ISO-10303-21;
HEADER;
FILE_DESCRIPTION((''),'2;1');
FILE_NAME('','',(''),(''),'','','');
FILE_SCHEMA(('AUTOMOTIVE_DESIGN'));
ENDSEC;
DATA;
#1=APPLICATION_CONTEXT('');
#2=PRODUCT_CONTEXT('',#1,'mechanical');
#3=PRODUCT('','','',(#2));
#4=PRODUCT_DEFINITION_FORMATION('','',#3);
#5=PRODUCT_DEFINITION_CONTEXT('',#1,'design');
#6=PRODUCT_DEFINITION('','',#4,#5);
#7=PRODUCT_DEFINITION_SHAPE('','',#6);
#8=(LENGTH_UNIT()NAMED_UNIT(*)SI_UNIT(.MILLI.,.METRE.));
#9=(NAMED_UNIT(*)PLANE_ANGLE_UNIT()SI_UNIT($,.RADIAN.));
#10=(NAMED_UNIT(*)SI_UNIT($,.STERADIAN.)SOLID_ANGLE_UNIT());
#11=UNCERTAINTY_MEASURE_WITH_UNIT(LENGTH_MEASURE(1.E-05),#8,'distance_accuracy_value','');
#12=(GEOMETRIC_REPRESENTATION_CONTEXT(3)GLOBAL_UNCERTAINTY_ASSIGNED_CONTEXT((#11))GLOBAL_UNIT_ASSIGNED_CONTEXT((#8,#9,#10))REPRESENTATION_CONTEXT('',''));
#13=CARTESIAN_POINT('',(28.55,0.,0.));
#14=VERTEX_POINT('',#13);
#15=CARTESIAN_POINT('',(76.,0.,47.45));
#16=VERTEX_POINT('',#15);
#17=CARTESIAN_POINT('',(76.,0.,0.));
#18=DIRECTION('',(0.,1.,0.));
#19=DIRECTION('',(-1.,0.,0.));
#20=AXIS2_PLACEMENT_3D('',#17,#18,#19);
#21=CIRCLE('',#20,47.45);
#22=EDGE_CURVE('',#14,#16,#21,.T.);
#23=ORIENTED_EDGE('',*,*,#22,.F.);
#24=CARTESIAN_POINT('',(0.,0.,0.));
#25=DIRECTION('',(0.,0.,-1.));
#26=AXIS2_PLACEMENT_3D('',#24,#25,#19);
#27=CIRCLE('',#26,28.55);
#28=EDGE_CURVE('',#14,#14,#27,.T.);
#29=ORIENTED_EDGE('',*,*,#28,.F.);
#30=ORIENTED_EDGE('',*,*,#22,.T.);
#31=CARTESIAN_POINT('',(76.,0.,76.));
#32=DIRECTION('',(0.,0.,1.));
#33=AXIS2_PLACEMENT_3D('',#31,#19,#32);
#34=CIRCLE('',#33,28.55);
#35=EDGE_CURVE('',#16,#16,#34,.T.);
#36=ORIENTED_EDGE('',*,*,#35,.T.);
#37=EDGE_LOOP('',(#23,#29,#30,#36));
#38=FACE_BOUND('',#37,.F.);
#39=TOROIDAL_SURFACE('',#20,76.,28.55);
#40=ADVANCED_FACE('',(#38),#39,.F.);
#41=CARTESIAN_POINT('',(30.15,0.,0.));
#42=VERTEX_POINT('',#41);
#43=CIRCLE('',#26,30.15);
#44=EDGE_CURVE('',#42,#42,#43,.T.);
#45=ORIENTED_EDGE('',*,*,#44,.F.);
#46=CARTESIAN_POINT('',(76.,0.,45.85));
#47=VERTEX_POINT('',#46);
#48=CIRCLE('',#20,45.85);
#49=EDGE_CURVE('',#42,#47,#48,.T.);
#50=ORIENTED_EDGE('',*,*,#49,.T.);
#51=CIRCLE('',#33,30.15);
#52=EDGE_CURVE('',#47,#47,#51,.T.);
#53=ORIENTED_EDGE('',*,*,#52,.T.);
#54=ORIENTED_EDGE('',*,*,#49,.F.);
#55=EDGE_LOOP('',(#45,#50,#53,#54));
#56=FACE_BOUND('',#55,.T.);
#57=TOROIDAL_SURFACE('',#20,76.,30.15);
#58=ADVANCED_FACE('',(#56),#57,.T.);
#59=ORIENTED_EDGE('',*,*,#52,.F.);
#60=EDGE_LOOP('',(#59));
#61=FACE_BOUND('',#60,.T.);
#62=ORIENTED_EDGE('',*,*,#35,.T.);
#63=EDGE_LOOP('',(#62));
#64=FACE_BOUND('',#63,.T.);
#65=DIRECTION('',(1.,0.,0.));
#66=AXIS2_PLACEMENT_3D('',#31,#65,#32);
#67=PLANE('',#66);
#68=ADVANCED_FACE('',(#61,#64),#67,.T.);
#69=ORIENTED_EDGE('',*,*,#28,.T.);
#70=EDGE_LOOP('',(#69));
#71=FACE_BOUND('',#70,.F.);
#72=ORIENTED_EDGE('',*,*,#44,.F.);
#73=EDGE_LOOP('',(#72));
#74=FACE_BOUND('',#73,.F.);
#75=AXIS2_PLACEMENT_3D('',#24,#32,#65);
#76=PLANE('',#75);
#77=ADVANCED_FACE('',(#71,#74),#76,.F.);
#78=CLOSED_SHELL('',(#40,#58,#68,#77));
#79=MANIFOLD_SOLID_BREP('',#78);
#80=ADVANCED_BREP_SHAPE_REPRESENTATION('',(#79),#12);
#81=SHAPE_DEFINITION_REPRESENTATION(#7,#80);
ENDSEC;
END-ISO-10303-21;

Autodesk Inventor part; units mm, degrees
ref_plane "YZ Plane" through (0, 0, 0) normal (1, 0, 0) x (0, 1, 0)
ref_plane "XZ Plane" through (0, 0, 0) normal (0, 1, 0) x (-1, 0, 0)
ref_plane "XY Plane" through (0, 0, 0) normal (0, 0, 1) x (1, 0, 0)
sketch "Sketch1" plane through (0, 0, 0) normal (0, 0, 1) x (1, 0, 0)
  circle A0 centre (0, 0) radius 28.55
  circle A1 centre (0, 0) radius 30.15
  dimension "d0" = 57.1
  dimension "d1" = 60.3
sketch "Sketch2" plane through (0, 0, 0) normal (0, 1, 0) x (-1, 0, 0)
  line L0 (0, 0) -> (0, 76) construction
  line L1 (0, 76) -> (-76, 76) construction
  arc A0 (0, 0) -> (-76, 76) centre (-76, 0) ccw
  dimension "d2" = 76
  dimension "d3" = 76
sweep "Sweep1" add profiles "Sketch1" path "Sketch2"
equation "\"d0\" = -2 * T + D"
equation "\"d1\" = D"
equation "\"d2\" = F1"
equation "\"d3\" = F1"
equation "\"D\" = 60.3"
equation "\"F1\" = 76"
equation "\"T\" = 1.6"
equation "\"Size_Designation\" = 1.2345"
properties part number "ISO 5251 Bends 3D without straight ends(90 deg) DN50 1.6" material "Stainless Steel"
